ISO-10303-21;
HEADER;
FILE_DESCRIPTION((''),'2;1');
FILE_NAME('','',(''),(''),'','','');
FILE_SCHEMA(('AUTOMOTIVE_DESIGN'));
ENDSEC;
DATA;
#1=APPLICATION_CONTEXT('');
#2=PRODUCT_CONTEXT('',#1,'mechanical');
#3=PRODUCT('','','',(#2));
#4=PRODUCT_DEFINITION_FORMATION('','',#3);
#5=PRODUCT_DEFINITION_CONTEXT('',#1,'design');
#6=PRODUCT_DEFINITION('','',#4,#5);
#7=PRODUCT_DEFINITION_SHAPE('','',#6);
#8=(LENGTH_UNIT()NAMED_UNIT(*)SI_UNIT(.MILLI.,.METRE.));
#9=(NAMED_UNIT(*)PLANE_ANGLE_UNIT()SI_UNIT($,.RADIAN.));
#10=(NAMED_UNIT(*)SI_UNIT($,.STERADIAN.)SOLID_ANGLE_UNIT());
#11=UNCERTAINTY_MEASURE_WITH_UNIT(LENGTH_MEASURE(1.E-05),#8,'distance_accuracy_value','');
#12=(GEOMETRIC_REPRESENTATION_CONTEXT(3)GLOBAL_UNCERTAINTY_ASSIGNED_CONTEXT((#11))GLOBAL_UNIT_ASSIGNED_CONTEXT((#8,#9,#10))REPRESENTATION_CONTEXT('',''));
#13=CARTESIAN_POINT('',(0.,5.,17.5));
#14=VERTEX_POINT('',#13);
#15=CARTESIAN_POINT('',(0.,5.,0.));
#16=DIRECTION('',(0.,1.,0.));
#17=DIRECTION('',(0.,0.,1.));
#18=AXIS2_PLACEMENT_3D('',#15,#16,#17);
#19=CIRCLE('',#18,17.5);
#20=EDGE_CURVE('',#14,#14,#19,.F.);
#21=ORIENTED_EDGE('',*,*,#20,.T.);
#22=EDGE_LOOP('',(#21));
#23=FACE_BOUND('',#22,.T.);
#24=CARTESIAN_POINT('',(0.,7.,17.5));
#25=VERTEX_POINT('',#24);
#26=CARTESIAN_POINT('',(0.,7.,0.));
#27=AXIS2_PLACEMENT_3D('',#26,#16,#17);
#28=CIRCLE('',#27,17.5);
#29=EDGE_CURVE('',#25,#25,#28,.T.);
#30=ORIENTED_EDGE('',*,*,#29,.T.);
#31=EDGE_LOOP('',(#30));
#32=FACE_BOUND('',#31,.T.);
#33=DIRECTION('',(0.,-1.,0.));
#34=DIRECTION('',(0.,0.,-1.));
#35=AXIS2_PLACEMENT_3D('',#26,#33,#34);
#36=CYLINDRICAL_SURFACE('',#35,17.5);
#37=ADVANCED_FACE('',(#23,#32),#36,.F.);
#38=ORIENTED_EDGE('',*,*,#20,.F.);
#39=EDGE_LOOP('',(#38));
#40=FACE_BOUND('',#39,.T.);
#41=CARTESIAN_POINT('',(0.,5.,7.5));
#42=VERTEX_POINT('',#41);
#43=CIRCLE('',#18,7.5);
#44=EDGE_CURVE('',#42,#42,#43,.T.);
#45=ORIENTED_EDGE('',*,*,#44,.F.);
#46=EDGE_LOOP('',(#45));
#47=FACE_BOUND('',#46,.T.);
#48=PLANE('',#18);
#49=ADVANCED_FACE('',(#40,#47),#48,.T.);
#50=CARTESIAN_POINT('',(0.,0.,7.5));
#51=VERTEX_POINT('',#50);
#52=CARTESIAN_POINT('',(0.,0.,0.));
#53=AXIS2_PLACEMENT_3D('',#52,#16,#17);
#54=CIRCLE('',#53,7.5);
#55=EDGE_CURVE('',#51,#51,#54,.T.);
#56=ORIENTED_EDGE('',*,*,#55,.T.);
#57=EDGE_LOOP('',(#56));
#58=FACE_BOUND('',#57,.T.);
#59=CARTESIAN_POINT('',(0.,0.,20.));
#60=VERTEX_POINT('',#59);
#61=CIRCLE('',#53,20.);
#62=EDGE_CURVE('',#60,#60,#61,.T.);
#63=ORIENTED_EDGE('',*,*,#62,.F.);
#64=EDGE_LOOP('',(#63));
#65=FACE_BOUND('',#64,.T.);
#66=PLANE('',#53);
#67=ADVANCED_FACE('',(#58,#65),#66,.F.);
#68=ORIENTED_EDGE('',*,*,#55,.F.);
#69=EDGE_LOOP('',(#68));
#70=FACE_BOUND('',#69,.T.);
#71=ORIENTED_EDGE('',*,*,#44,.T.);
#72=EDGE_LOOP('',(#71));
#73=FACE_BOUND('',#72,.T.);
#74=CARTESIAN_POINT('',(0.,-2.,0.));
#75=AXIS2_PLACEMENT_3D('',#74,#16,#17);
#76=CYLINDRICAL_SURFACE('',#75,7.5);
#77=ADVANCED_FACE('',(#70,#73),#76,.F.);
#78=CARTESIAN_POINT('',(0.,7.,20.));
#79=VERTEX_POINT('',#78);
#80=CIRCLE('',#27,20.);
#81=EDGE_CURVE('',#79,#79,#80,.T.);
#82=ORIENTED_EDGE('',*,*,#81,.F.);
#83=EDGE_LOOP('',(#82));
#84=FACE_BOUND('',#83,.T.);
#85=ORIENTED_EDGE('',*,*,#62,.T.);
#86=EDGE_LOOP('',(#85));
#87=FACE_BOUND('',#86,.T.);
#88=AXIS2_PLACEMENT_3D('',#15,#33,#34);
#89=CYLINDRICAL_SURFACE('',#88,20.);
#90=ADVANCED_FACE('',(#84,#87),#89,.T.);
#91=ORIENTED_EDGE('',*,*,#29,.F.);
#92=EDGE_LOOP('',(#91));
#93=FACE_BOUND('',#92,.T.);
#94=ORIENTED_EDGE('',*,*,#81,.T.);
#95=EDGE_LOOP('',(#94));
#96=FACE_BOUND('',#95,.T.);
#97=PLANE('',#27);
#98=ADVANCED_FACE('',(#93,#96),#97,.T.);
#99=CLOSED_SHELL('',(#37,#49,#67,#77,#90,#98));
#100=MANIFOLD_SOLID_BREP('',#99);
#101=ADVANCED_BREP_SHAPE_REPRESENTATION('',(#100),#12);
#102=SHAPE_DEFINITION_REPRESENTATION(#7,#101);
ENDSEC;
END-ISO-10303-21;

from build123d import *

# Parameters (mm, degrees)
SKETCH1_R           = 20
SKETCH1_R_2         = 17.5
BOSS_EXTRUDE1_DEPTH = 5
SKETCH1_3_R         = 20
SKETCH1_3_R_2       = 17.5
BOSS_EXTRUDE3_DEPTH = 7
SKETCH3_R           = 7.5
CUT_EXTRUDE2_DEPTH  = 7


with BuildPart() as part:
    # Sketch1 → Boss-Extrude1 (new body)
    # profile 1 of 2: a face of its own
    with BuildSketch(Plane(origin=(0, 0, 0), x_dir=(1, 0, 0), z_dir=(0, 1, 0))):
        Circle(SKETCH1_R)
        Circle(SKETCH1_R_2, mode=Mode.SUBTRACT)
    # profile 2 of 2: a face of its own
    with BuildSketch(Plane(origin=(0, 0, 0), x_dir=(1, 0, 0), z_dir=(0, 1, 0))):
        Circle(SKETCH1_R_2)
    extrude(amount=BOSS_EXTRUDE1_DEPTH)

    # Sketch1<3> → Boss-Extrude3 (add)
    with BuildSketch(Plane(origin=(0, 0, 0), x_dir=(1, 0, 0), z_dir=(0, 1, 0))):
        Circle(SKETCH1_3_R)
        Circle(SKETCH1_3_R_2, mode=Mode.SUBTRACT)
    extrude(amount=BOSS_EXTRUDE3_DEPTH)

    # Sketch3 → Cut-Extrude2 (cut)
    with BuildSketch(Plane(origin=(0, 5, 0), x_dir=(1, 0, 0), z_dir=(0, 1, 0))):
        Circle(SKETCH3_R)
    extrude(amount=-CUT_EXTRUDE2_DEPTH, mode=Mode.SUBTRACT)


solid = part.part
